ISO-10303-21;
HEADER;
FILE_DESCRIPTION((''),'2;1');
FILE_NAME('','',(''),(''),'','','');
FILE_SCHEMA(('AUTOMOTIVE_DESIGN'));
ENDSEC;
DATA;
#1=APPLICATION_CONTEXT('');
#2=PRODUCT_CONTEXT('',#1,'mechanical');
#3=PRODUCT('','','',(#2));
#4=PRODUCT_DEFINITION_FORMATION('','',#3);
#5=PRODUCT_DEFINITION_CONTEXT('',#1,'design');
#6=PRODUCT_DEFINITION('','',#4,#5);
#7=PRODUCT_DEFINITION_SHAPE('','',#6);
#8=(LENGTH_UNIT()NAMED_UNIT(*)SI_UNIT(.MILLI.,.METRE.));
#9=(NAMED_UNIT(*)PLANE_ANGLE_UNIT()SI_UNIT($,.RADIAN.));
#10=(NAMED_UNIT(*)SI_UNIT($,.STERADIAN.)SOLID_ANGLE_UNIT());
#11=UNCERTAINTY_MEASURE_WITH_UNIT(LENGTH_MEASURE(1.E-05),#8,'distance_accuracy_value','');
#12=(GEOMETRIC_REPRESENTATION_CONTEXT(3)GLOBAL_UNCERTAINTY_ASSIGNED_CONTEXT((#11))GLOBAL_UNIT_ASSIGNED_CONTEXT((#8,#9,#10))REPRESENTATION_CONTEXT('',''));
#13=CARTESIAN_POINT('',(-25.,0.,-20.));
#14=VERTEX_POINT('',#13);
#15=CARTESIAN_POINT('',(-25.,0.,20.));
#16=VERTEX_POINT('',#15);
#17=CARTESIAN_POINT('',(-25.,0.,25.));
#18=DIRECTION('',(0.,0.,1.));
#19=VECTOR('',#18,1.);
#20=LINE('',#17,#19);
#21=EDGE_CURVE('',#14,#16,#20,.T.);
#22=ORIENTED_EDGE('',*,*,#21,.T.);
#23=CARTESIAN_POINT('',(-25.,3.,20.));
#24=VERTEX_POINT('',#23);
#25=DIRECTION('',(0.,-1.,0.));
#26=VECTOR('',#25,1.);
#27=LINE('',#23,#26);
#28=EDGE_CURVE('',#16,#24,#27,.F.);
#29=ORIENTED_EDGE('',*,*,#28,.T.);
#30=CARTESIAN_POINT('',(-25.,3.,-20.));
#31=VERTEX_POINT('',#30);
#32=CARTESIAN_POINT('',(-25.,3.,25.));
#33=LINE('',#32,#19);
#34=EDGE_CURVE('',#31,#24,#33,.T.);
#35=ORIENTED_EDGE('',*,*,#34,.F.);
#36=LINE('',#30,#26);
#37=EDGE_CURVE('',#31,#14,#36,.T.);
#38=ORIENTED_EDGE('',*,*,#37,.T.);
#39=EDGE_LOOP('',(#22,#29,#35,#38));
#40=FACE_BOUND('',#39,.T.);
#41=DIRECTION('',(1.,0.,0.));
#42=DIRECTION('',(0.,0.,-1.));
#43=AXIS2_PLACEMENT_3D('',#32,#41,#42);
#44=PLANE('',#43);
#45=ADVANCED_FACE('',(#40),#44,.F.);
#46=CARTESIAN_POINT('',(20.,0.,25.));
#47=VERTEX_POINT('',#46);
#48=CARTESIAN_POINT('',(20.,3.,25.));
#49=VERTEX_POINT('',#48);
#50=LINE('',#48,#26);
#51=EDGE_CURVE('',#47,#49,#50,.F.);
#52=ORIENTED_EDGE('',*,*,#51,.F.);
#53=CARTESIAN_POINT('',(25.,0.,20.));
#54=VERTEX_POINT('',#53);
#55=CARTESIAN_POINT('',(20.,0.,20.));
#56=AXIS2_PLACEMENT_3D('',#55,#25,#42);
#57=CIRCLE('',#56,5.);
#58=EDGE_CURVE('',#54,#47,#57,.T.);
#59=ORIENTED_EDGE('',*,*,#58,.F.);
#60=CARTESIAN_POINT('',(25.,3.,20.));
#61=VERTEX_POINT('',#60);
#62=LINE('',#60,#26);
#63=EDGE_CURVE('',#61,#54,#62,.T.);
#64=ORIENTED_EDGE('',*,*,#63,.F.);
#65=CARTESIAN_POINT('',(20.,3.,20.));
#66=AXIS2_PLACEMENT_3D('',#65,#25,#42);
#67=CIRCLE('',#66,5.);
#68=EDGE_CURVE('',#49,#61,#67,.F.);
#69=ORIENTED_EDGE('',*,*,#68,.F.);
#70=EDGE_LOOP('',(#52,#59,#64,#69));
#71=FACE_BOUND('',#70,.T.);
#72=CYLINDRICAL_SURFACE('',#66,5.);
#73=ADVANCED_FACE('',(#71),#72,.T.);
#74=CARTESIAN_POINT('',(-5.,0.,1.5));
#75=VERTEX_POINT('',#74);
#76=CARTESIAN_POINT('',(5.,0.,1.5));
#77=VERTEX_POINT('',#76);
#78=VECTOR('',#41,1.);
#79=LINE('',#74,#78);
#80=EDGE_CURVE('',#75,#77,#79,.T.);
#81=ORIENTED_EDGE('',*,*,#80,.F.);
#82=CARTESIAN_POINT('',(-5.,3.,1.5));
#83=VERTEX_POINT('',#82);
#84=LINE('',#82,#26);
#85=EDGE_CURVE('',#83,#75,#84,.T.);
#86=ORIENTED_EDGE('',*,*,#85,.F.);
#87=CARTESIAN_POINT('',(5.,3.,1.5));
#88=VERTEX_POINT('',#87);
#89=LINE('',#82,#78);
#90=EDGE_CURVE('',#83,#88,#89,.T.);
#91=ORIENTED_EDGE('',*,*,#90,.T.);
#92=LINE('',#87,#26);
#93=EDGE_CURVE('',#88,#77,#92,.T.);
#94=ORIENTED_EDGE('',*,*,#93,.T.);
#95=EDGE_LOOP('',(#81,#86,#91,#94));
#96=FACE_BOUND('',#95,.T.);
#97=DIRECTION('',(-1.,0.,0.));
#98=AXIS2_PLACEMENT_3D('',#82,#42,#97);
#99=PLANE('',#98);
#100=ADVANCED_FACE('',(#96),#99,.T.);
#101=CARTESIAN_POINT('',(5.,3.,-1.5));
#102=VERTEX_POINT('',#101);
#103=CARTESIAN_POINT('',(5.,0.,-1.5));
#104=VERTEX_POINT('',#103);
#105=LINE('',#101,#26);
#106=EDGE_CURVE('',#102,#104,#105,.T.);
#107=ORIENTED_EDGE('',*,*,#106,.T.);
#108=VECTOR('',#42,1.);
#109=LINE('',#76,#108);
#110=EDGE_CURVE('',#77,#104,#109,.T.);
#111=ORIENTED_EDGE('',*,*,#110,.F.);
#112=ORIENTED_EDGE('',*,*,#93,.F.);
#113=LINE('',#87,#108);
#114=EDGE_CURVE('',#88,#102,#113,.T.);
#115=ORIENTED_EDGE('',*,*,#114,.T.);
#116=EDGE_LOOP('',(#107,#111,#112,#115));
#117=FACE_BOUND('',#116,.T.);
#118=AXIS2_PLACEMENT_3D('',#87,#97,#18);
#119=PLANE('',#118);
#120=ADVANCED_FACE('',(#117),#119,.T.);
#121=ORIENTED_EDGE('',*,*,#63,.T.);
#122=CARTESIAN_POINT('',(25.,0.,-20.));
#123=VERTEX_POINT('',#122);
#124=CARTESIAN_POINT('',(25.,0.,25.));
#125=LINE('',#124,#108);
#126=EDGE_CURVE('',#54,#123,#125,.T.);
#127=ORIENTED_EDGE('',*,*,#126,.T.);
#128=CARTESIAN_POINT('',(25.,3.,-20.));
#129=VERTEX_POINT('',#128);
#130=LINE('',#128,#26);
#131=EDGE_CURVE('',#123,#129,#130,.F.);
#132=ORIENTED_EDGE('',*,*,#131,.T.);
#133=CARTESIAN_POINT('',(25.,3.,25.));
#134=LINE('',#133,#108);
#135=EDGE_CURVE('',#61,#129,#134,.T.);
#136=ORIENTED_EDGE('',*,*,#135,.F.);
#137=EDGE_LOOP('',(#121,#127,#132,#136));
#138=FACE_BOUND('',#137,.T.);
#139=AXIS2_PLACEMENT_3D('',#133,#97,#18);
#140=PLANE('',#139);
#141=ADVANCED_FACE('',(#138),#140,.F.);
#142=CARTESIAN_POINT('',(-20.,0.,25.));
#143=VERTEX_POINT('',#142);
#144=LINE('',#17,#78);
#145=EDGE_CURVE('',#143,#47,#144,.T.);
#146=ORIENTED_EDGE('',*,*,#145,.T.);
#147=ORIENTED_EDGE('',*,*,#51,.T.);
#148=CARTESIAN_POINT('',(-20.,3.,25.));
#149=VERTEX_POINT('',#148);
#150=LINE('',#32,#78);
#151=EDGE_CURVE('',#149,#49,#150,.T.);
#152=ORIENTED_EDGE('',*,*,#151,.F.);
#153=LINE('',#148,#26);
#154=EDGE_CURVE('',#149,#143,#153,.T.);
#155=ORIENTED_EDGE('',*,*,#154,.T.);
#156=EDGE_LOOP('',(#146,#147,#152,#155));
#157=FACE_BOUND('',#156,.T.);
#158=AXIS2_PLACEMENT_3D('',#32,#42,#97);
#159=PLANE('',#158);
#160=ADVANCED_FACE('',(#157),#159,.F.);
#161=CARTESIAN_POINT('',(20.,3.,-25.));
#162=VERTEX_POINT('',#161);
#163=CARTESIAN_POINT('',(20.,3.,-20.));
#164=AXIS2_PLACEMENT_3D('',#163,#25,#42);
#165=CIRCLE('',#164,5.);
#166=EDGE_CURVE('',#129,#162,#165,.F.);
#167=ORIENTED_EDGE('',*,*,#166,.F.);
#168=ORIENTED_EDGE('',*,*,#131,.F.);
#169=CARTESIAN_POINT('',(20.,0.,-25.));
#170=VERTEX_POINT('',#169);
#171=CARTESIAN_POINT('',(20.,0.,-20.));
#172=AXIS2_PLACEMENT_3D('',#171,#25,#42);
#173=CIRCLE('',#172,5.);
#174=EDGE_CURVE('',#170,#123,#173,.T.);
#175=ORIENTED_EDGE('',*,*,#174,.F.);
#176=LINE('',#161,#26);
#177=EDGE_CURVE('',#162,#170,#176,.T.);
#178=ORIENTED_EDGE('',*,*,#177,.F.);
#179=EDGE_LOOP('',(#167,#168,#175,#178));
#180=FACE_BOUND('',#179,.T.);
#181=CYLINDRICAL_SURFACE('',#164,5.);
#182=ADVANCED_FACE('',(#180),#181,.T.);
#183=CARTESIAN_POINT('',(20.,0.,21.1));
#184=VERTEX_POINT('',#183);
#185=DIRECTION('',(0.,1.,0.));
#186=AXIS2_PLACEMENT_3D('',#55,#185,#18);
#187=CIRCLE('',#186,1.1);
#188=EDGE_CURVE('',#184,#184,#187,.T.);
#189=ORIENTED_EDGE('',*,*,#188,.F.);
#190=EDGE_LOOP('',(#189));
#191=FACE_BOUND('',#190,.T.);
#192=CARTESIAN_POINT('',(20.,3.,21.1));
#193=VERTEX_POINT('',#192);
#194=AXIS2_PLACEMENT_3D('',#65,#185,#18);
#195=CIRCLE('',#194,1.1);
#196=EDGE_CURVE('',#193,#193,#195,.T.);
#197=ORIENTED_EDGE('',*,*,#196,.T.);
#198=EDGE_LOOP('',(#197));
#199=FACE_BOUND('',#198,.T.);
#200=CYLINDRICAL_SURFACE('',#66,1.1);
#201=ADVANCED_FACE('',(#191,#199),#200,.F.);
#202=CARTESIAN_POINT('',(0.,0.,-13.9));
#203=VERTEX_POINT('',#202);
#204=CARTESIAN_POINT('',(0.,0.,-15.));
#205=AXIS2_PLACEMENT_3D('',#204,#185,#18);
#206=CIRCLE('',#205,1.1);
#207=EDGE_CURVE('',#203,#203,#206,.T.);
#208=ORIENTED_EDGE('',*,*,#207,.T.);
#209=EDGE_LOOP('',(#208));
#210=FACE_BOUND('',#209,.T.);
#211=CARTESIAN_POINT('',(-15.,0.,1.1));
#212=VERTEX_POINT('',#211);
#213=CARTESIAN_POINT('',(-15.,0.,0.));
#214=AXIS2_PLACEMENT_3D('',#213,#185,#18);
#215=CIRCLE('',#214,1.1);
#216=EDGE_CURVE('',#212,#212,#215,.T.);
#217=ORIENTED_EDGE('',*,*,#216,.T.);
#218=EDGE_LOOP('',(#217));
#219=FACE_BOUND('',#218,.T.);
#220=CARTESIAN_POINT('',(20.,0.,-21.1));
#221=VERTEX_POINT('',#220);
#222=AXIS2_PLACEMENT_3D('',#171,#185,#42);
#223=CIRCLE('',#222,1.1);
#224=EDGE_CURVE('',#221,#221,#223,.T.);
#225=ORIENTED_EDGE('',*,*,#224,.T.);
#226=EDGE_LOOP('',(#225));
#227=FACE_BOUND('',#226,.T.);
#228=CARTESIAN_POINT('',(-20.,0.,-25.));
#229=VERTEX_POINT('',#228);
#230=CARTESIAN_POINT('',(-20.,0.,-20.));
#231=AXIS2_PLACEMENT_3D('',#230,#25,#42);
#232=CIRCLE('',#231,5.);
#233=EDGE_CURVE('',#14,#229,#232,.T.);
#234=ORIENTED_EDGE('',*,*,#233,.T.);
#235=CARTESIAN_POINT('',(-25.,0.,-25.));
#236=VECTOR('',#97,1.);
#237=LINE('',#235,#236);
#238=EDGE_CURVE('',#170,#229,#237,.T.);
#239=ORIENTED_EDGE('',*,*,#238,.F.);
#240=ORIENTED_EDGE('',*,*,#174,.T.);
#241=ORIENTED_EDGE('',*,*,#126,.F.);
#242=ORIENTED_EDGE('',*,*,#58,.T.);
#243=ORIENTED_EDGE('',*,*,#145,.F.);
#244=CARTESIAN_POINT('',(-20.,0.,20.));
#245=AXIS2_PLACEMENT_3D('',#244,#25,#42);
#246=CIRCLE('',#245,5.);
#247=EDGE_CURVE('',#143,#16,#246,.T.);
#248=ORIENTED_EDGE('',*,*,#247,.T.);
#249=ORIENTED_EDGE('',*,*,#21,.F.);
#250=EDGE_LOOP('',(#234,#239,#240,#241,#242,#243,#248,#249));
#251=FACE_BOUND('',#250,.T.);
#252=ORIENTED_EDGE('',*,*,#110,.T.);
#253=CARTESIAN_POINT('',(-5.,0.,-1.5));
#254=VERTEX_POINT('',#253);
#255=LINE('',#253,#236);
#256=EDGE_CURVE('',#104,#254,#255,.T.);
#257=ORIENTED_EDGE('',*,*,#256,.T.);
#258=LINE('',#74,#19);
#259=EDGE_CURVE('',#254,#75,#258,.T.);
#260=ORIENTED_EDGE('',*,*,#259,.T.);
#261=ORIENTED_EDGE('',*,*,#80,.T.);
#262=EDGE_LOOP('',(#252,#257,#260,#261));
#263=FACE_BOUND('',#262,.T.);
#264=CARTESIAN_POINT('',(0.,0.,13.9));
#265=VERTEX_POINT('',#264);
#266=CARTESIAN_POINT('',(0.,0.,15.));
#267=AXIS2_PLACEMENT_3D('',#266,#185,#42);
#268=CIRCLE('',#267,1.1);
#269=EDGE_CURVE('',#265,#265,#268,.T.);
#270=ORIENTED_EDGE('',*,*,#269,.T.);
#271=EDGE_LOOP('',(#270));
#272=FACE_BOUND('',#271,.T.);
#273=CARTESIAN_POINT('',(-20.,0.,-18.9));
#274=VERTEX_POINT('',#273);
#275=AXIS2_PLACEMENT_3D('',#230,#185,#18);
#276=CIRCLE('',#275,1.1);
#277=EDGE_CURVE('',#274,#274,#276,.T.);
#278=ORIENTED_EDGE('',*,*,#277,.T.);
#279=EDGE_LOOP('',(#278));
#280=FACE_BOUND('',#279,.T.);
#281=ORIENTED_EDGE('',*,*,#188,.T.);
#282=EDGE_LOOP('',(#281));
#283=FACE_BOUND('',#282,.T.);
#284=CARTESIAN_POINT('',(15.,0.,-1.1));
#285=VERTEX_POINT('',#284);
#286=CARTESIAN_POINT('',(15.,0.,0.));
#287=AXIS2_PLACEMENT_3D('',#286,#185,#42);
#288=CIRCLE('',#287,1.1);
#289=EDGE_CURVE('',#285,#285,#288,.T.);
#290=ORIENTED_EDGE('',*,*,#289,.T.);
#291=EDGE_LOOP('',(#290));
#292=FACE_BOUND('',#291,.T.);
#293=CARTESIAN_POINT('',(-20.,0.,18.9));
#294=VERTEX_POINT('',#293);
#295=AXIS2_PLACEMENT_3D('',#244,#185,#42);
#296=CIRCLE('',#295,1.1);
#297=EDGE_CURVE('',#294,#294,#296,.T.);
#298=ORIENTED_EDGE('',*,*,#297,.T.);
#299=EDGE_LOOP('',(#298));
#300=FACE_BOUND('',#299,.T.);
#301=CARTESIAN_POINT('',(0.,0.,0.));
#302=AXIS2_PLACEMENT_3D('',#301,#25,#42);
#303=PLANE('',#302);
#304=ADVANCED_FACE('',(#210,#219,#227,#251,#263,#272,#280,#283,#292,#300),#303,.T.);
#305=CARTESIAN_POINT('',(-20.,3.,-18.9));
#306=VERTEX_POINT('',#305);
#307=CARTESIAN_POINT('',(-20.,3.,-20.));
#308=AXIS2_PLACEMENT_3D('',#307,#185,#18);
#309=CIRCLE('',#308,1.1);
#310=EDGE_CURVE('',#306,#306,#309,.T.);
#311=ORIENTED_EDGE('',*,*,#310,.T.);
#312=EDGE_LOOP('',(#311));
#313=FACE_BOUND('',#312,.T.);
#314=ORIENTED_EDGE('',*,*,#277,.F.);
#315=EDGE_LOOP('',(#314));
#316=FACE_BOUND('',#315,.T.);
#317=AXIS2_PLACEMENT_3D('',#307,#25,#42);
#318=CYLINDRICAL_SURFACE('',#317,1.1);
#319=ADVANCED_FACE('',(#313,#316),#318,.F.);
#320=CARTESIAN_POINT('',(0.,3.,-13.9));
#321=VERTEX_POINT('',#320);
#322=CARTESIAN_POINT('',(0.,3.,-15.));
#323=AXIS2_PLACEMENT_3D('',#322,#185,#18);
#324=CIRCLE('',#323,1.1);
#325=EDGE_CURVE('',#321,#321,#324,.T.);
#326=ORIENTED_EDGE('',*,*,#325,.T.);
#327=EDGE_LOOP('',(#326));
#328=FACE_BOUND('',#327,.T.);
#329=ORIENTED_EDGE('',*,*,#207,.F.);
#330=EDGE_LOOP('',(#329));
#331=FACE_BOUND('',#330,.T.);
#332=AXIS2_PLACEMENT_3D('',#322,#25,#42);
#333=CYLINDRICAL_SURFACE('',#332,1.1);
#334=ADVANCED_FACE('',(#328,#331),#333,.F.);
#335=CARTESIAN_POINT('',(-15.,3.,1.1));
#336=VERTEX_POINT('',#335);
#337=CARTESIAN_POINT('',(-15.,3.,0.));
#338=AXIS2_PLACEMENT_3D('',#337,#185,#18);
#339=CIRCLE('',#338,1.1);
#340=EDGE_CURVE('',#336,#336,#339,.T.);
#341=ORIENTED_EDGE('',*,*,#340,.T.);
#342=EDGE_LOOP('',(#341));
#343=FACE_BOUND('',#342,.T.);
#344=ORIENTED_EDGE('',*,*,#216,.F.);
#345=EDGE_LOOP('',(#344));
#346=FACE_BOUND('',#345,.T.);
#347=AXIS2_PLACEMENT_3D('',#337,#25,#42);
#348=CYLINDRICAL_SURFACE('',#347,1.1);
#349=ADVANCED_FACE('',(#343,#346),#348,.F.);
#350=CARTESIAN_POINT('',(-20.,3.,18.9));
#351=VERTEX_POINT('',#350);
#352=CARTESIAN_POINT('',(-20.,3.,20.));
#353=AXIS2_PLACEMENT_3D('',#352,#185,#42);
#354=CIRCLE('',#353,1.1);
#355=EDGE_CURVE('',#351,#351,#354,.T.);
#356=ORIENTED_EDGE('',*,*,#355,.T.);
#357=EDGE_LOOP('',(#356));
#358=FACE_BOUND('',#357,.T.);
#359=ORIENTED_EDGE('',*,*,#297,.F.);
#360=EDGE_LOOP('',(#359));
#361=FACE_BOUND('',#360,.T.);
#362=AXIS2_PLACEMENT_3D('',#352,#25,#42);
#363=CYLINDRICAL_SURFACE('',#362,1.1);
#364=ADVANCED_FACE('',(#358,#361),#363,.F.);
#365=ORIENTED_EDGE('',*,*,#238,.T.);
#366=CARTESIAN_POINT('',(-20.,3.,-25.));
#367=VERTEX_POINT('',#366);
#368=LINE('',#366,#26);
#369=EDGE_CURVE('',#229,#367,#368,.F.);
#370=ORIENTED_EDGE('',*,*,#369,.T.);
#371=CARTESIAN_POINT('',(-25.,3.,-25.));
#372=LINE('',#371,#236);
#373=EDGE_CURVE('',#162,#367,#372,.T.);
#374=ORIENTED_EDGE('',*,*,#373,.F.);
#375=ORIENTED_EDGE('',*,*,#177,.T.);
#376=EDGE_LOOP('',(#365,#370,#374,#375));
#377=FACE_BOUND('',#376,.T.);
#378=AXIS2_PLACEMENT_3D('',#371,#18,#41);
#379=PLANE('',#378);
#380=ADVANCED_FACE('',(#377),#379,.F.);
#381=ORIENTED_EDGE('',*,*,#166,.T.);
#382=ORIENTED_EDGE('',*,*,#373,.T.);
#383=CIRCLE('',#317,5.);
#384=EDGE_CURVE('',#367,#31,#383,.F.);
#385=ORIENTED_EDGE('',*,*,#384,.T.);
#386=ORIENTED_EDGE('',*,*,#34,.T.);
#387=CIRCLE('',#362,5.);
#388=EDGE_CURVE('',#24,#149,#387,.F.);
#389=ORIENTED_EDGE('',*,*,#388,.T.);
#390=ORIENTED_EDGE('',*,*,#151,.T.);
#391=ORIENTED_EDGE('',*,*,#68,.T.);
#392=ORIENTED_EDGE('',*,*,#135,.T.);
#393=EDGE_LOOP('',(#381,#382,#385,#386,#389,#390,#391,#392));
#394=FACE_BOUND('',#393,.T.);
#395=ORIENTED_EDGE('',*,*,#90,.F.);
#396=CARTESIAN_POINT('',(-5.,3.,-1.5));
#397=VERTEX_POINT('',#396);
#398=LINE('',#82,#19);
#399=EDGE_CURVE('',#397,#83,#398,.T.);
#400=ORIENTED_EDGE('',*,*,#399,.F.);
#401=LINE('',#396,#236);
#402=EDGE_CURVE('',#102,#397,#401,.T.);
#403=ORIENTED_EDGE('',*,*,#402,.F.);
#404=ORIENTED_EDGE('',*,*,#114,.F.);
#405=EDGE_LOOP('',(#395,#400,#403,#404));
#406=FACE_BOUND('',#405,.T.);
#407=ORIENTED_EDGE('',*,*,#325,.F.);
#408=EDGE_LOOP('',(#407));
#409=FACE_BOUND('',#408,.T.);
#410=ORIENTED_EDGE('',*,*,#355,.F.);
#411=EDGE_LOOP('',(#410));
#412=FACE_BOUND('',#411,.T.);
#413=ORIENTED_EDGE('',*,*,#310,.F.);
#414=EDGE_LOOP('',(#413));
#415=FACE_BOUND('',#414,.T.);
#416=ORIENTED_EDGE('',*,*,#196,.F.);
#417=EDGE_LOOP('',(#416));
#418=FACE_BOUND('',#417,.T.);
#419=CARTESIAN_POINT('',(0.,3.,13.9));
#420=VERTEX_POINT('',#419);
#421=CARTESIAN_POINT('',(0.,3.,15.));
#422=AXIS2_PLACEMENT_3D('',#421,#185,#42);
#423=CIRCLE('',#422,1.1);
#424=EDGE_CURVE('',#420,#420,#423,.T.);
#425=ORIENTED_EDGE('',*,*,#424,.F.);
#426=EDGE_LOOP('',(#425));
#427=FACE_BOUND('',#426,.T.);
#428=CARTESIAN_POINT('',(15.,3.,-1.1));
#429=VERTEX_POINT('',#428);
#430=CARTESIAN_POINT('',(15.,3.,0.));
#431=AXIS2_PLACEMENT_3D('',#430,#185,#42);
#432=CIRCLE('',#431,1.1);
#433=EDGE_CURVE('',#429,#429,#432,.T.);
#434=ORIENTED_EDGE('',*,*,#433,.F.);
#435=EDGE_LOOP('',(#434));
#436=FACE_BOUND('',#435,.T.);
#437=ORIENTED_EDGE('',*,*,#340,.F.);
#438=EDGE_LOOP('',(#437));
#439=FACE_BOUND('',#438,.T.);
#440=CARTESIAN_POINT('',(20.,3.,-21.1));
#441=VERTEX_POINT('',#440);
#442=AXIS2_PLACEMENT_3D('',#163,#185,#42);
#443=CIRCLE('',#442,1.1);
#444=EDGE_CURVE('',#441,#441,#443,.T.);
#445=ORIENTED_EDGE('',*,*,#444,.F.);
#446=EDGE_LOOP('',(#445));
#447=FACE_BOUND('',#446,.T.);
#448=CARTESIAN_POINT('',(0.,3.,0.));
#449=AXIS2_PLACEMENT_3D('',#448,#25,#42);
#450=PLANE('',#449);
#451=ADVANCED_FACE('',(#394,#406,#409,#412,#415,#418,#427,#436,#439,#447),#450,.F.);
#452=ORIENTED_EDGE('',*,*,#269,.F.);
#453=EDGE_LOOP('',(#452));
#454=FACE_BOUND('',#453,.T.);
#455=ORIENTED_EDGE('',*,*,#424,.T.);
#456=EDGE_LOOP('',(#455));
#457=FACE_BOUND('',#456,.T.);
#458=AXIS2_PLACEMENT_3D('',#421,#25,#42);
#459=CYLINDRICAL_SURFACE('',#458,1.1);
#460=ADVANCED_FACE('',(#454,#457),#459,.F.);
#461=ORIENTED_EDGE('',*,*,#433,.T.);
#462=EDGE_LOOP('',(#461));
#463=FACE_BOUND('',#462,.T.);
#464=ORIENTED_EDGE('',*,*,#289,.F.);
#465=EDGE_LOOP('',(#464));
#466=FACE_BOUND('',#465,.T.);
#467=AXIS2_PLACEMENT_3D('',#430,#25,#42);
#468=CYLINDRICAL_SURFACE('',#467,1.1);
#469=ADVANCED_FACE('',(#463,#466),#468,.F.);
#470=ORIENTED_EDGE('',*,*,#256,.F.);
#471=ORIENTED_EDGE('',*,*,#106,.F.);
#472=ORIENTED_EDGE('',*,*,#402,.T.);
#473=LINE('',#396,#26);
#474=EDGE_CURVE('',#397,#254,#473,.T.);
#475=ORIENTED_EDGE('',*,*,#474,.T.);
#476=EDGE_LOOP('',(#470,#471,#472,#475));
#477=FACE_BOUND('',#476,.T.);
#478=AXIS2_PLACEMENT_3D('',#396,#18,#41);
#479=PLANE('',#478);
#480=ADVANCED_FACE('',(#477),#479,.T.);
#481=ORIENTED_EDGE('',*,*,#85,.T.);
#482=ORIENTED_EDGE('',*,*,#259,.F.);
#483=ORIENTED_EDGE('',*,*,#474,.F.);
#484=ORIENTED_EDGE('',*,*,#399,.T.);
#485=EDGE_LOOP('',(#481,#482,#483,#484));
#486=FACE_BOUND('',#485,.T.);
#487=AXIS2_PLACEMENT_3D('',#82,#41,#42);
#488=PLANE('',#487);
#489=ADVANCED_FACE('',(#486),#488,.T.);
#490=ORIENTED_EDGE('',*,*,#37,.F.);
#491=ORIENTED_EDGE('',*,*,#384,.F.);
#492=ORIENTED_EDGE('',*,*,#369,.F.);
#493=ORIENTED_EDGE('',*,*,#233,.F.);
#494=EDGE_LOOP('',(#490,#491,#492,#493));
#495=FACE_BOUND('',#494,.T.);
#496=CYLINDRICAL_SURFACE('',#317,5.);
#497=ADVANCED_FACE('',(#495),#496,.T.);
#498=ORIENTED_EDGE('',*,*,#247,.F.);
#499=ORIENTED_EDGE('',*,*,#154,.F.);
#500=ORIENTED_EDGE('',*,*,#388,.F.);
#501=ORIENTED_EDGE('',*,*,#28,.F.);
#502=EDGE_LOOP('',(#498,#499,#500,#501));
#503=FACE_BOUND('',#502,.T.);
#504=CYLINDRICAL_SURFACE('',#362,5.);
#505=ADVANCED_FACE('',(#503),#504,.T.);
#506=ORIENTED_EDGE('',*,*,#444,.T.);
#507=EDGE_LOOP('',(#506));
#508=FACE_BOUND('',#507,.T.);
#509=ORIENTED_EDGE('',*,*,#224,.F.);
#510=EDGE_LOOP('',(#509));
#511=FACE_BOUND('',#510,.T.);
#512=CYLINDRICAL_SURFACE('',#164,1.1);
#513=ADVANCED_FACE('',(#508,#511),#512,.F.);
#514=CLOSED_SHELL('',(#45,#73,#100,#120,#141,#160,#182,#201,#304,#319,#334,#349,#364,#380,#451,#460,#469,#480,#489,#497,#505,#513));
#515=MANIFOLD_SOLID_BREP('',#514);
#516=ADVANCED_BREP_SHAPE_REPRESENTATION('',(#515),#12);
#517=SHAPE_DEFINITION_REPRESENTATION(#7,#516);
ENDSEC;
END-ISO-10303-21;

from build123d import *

# Parameters (mm, degrees)
SKETCH1_W           = 50
SKETCH1_H           = 50
SKETCH1_R           = 1.1
SKETCH1_W_2         = 10
SKETCH1_H_2         = 3
BOSS_EXTRUDE1_DEPTH = 3
FILLET1_R           = 5


with BuildPart() as part:
    # Sketch1 → Boss-Extrude1 (new body)
    with BuildSketch(Plane(origin=(0, 0, 0), x_dir=(1, 0, 0), z_dir=(0, 1, 0))):
        Rectangle(SKETCH1_W, SKETCH1_H)
        with Locations(Location((-15, 0, 0), (0, 0, 270))):
            Circle(SKETCH1_R, mode=Mode.SUBTRACT)
        with Locations(Location((15, 0, 0), (0, 0, 90))):
            Circle(SKETCH1_R, mode=Mode.SUBTRACT)
        with Locations(Location((-20, 20, 0), (0, 0, 270))):
            Circle(SKETCH1_R, mode=Mode.SUBTRACT)
        with Locations(Location((20, 20, 0), (0, 0, 90))):
            Circle(SKETCH1_R, mode=Mode.SUBTRACT)
        with Locations(Location((20, -20, 0), (0, 0, 270))):
            Circle(SKETCH1_R, mode=Mode.SUBTRACT)
        with Locations(Location((-20, -20, 0), (0, 0, 90))):
            Circle(SKETCH1_R, mode=Mode.SUBTRACT)
        with Locations(Location((0, 15, 0), (0, 0, 270))):
            Circle(SKETCH1_R, mode=Mode.SUBTRACT)
        with Locations(Location((0, -15, 0), (0, 0, 90))):
            Circle(SKETCH1_R, mode=Mode.SUBTRACT)
        Rectangle(SKETCH1_W_2, SKETCH1_H_2, mode=Mode.SUBTRACT)
    extrude(amount=BOSS_EXTRUDE1_DEPTH)

    # Fillet1
    fillet1_edges = [part.edges().sort_by_distance(p)[0] for p in [
        (25, 1.5, 25),
        (-25, 1.5, 25),
        (-25, 1.5, -25),
        (25, 1.5, -25),
    ]]
    fillet(fillet1_edges, radius=FILLET1_R)


solid = part.part
